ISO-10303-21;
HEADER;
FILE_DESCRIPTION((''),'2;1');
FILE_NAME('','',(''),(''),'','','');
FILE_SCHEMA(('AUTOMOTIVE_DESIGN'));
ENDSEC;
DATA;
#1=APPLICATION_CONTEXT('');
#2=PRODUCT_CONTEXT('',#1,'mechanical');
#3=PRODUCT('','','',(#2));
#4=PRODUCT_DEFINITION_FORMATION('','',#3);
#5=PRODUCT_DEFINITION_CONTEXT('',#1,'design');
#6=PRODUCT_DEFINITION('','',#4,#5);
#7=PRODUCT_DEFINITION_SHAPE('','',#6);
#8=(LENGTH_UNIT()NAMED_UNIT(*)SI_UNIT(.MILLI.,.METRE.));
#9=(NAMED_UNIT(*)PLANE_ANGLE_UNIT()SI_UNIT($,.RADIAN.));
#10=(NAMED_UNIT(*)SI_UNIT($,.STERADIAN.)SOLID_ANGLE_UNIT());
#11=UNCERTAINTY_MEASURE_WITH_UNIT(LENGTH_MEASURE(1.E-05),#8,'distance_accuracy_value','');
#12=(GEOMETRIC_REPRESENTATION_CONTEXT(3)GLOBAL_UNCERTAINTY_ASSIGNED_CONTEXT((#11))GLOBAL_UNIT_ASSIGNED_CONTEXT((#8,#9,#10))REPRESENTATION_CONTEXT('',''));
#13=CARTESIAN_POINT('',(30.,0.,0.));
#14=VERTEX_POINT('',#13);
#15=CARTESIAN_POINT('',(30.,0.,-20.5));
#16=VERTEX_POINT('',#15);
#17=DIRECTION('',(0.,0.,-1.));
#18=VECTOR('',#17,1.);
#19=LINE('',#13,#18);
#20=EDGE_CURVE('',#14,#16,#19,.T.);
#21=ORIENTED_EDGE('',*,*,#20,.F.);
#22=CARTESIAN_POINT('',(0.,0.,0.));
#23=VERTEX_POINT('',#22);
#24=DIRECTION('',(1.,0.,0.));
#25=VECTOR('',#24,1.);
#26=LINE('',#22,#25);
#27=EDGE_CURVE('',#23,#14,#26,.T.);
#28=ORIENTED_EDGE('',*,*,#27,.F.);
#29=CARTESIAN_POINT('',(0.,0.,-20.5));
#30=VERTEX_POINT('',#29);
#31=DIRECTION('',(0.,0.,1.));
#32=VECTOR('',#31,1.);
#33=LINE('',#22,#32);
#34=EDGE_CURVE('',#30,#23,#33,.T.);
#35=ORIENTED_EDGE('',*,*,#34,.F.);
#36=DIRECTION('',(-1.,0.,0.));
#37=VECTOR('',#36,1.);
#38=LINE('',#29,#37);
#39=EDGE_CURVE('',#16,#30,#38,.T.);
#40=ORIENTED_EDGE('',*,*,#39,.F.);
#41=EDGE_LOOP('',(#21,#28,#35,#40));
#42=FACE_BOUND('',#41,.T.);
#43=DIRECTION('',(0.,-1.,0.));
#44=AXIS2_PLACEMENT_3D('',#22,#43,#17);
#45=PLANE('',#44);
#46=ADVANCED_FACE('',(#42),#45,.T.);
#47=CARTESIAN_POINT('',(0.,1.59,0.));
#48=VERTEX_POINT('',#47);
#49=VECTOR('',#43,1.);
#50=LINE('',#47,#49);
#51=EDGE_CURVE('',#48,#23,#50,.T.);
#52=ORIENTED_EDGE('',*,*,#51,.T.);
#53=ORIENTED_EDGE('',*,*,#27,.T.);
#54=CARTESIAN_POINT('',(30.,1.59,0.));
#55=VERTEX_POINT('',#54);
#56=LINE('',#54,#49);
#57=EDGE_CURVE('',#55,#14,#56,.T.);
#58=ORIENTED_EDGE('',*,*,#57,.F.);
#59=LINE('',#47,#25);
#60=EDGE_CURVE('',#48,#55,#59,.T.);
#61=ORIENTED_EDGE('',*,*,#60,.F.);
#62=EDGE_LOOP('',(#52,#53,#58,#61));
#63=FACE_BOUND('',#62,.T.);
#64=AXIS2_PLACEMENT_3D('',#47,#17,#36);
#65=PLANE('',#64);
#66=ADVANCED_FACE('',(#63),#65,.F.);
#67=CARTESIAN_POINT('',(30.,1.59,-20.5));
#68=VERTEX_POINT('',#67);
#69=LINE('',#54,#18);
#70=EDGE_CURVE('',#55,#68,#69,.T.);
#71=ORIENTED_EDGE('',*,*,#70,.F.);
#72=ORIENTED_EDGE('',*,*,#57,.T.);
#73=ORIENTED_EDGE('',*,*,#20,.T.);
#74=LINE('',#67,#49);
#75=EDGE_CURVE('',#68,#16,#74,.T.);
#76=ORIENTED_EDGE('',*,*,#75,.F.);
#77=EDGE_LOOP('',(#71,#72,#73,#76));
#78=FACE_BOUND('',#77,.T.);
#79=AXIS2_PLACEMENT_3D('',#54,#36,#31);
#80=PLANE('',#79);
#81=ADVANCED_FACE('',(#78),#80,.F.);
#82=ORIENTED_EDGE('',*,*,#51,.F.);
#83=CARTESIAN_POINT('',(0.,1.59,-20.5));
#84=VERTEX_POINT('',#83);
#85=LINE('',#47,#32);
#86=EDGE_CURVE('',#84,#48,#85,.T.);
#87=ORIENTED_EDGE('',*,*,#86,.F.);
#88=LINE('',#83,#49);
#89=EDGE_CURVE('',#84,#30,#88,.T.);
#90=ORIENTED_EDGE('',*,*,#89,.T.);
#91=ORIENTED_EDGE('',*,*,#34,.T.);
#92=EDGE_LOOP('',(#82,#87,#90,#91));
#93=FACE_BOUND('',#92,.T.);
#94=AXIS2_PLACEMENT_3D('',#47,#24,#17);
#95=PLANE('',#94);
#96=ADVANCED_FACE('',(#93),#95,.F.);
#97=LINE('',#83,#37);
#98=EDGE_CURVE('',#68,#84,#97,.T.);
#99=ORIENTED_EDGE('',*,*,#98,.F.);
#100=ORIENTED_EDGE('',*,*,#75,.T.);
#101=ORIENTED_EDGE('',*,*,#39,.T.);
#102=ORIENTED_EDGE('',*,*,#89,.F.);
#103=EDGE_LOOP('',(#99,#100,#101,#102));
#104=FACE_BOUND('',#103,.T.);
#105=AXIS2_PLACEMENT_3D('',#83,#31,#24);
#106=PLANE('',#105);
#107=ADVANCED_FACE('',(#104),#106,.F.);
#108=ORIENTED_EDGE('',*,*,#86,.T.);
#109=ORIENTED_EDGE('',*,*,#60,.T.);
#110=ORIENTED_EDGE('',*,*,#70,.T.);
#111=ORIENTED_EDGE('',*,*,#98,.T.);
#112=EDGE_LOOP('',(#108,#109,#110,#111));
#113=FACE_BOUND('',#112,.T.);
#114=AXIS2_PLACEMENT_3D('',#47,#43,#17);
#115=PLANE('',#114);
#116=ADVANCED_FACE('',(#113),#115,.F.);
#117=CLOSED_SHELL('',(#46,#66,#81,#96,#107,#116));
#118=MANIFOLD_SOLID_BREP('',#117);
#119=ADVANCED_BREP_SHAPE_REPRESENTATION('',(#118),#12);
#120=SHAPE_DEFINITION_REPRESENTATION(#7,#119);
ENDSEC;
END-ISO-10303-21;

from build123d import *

# Parameters (mm, degrees)
SKETCH3_W           = 30
SKETCH3_H           = 20.5
BOSS_EXTRUDE1_DEPTH = 1.59


with BuildPart() as part:
    # Sketch3 → Boss-Extrude1 (new body)
    with BuildSketch(Plane(origin=(0, 0, 0), x_dir=(1, 0, 0), z_dir=(0, 1, 0))):
        with Locations((15, 10.25)):
            Rectangle(SKETCH3_W, SKETCH3_H)
    extrude(amount=BOSS_EXTRUDE1_DEPTH)


solid = part.part
